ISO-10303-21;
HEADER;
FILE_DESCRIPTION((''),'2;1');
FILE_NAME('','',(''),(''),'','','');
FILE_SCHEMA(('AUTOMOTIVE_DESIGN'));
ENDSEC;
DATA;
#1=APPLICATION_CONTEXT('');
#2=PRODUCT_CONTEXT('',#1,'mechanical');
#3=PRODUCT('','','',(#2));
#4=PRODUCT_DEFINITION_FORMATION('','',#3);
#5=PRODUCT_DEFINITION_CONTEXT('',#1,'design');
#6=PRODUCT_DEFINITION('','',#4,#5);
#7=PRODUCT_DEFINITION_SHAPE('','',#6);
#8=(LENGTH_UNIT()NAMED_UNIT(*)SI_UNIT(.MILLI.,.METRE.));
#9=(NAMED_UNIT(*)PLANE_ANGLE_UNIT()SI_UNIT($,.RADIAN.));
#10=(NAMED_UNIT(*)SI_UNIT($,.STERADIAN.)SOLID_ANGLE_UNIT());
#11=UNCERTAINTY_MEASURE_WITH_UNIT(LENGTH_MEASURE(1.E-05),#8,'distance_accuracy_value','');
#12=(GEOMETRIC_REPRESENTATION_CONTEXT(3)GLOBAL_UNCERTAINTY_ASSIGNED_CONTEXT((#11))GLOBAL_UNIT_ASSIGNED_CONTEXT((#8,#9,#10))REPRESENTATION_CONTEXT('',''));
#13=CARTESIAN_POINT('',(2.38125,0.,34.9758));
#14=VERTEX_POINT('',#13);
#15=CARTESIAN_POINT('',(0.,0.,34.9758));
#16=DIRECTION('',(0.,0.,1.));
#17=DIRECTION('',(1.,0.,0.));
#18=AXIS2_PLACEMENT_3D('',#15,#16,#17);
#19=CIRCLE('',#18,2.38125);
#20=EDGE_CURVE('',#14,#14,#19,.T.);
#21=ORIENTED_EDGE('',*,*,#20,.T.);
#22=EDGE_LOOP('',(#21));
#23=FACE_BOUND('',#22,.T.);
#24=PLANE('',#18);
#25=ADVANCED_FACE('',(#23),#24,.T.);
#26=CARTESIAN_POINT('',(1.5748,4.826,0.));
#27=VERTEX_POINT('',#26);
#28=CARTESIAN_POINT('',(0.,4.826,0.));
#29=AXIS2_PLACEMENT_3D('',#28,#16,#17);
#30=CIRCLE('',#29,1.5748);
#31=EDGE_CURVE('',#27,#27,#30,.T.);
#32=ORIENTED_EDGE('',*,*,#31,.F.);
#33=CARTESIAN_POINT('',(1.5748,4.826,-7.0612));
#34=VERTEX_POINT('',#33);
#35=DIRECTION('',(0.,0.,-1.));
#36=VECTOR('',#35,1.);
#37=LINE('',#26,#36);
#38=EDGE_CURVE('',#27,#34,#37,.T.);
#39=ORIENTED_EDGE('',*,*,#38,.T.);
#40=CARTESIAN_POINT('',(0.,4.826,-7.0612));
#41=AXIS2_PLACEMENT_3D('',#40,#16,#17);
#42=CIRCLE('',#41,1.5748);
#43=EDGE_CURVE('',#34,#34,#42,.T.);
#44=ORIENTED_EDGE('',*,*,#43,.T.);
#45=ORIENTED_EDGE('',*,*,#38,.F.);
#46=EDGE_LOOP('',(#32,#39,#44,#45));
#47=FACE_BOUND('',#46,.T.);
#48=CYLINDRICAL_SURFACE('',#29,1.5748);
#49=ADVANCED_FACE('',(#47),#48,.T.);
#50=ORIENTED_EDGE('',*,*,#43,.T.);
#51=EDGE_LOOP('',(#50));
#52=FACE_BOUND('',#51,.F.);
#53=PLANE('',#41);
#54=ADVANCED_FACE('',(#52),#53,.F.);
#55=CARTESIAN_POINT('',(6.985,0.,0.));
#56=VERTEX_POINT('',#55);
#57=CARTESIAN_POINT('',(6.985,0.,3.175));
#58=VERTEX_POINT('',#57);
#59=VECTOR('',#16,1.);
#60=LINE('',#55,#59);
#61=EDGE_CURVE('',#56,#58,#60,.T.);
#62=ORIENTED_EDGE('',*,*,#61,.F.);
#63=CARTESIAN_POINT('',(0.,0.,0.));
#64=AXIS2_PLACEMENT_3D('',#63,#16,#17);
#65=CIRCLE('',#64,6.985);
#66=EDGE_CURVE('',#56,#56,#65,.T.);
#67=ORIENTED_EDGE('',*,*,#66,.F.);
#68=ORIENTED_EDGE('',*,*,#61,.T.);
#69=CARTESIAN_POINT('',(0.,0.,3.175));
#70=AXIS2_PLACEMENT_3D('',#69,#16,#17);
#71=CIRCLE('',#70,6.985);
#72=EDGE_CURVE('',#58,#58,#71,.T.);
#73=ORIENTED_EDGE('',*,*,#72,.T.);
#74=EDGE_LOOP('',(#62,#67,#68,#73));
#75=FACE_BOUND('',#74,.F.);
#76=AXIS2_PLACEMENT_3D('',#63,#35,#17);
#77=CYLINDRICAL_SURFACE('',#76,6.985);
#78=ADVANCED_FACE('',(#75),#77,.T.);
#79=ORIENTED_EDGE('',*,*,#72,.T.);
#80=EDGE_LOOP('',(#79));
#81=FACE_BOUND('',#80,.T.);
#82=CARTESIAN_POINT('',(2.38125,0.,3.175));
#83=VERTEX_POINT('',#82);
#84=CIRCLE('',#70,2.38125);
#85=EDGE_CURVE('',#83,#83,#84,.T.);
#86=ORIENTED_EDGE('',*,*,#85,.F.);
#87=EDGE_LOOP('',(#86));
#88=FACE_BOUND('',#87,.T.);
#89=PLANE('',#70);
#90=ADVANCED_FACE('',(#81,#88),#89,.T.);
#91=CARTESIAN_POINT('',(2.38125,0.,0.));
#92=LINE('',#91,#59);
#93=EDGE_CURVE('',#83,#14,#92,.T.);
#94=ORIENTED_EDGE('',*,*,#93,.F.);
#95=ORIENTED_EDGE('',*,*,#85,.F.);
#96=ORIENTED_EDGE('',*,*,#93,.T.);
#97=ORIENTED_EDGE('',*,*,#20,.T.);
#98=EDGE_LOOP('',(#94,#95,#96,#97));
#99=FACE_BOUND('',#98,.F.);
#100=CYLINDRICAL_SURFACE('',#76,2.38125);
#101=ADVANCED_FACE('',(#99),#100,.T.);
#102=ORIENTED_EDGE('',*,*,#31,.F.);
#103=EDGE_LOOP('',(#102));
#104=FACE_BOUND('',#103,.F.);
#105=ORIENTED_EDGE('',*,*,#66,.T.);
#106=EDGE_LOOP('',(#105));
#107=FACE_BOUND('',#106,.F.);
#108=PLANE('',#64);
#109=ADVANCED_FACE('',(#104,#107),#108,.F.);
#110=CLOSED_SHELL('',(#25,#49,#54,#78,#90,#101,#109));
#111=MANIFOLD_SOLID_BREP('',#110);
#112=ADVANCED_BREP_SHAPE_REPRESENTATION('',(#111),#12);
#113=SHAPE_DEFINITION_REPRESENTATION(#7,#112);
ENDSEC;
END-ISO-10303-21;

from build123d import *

# Parameters (mm, degrees)
F0_R     = 6.985
F0_R_2   = 2.38125
F0_R_3   = 1.5748
F1_DEPTH = 3.175
F2_DEPTH = 34.9758
F3_DEPTH = 7.0612


with BuildPart() as f1:
    # F0 (on Top) → F1 (new body)
    with BuildSketch(Plane.XY):
        Circle(F0_R)
        Circle(F0_R_2, mode=Mode.SUBTRACT)
        with Locations((0, 4.826)):
            Circle(F0_R_3, mode=Mode.SUBTRACT)
        with Locations((0, 4.826)):
            Circle(F0_R_3)
    extrude(amount=F1_DEPTH)

    # F0 (on Top) → F2 (join)
    with BuildSketch(Plane.XY):
        Circle(F0_R_2)
    extrude(amount=F2_DEPTH)

    # F0 (on Top) → F3 (join)
    with BuildSketch(Plane.XY):
        with Locations((0, 4.826)):
            Circle(F0_R_3)
    extrude(amount=-F3_DEPTH)


solid = f1.part
